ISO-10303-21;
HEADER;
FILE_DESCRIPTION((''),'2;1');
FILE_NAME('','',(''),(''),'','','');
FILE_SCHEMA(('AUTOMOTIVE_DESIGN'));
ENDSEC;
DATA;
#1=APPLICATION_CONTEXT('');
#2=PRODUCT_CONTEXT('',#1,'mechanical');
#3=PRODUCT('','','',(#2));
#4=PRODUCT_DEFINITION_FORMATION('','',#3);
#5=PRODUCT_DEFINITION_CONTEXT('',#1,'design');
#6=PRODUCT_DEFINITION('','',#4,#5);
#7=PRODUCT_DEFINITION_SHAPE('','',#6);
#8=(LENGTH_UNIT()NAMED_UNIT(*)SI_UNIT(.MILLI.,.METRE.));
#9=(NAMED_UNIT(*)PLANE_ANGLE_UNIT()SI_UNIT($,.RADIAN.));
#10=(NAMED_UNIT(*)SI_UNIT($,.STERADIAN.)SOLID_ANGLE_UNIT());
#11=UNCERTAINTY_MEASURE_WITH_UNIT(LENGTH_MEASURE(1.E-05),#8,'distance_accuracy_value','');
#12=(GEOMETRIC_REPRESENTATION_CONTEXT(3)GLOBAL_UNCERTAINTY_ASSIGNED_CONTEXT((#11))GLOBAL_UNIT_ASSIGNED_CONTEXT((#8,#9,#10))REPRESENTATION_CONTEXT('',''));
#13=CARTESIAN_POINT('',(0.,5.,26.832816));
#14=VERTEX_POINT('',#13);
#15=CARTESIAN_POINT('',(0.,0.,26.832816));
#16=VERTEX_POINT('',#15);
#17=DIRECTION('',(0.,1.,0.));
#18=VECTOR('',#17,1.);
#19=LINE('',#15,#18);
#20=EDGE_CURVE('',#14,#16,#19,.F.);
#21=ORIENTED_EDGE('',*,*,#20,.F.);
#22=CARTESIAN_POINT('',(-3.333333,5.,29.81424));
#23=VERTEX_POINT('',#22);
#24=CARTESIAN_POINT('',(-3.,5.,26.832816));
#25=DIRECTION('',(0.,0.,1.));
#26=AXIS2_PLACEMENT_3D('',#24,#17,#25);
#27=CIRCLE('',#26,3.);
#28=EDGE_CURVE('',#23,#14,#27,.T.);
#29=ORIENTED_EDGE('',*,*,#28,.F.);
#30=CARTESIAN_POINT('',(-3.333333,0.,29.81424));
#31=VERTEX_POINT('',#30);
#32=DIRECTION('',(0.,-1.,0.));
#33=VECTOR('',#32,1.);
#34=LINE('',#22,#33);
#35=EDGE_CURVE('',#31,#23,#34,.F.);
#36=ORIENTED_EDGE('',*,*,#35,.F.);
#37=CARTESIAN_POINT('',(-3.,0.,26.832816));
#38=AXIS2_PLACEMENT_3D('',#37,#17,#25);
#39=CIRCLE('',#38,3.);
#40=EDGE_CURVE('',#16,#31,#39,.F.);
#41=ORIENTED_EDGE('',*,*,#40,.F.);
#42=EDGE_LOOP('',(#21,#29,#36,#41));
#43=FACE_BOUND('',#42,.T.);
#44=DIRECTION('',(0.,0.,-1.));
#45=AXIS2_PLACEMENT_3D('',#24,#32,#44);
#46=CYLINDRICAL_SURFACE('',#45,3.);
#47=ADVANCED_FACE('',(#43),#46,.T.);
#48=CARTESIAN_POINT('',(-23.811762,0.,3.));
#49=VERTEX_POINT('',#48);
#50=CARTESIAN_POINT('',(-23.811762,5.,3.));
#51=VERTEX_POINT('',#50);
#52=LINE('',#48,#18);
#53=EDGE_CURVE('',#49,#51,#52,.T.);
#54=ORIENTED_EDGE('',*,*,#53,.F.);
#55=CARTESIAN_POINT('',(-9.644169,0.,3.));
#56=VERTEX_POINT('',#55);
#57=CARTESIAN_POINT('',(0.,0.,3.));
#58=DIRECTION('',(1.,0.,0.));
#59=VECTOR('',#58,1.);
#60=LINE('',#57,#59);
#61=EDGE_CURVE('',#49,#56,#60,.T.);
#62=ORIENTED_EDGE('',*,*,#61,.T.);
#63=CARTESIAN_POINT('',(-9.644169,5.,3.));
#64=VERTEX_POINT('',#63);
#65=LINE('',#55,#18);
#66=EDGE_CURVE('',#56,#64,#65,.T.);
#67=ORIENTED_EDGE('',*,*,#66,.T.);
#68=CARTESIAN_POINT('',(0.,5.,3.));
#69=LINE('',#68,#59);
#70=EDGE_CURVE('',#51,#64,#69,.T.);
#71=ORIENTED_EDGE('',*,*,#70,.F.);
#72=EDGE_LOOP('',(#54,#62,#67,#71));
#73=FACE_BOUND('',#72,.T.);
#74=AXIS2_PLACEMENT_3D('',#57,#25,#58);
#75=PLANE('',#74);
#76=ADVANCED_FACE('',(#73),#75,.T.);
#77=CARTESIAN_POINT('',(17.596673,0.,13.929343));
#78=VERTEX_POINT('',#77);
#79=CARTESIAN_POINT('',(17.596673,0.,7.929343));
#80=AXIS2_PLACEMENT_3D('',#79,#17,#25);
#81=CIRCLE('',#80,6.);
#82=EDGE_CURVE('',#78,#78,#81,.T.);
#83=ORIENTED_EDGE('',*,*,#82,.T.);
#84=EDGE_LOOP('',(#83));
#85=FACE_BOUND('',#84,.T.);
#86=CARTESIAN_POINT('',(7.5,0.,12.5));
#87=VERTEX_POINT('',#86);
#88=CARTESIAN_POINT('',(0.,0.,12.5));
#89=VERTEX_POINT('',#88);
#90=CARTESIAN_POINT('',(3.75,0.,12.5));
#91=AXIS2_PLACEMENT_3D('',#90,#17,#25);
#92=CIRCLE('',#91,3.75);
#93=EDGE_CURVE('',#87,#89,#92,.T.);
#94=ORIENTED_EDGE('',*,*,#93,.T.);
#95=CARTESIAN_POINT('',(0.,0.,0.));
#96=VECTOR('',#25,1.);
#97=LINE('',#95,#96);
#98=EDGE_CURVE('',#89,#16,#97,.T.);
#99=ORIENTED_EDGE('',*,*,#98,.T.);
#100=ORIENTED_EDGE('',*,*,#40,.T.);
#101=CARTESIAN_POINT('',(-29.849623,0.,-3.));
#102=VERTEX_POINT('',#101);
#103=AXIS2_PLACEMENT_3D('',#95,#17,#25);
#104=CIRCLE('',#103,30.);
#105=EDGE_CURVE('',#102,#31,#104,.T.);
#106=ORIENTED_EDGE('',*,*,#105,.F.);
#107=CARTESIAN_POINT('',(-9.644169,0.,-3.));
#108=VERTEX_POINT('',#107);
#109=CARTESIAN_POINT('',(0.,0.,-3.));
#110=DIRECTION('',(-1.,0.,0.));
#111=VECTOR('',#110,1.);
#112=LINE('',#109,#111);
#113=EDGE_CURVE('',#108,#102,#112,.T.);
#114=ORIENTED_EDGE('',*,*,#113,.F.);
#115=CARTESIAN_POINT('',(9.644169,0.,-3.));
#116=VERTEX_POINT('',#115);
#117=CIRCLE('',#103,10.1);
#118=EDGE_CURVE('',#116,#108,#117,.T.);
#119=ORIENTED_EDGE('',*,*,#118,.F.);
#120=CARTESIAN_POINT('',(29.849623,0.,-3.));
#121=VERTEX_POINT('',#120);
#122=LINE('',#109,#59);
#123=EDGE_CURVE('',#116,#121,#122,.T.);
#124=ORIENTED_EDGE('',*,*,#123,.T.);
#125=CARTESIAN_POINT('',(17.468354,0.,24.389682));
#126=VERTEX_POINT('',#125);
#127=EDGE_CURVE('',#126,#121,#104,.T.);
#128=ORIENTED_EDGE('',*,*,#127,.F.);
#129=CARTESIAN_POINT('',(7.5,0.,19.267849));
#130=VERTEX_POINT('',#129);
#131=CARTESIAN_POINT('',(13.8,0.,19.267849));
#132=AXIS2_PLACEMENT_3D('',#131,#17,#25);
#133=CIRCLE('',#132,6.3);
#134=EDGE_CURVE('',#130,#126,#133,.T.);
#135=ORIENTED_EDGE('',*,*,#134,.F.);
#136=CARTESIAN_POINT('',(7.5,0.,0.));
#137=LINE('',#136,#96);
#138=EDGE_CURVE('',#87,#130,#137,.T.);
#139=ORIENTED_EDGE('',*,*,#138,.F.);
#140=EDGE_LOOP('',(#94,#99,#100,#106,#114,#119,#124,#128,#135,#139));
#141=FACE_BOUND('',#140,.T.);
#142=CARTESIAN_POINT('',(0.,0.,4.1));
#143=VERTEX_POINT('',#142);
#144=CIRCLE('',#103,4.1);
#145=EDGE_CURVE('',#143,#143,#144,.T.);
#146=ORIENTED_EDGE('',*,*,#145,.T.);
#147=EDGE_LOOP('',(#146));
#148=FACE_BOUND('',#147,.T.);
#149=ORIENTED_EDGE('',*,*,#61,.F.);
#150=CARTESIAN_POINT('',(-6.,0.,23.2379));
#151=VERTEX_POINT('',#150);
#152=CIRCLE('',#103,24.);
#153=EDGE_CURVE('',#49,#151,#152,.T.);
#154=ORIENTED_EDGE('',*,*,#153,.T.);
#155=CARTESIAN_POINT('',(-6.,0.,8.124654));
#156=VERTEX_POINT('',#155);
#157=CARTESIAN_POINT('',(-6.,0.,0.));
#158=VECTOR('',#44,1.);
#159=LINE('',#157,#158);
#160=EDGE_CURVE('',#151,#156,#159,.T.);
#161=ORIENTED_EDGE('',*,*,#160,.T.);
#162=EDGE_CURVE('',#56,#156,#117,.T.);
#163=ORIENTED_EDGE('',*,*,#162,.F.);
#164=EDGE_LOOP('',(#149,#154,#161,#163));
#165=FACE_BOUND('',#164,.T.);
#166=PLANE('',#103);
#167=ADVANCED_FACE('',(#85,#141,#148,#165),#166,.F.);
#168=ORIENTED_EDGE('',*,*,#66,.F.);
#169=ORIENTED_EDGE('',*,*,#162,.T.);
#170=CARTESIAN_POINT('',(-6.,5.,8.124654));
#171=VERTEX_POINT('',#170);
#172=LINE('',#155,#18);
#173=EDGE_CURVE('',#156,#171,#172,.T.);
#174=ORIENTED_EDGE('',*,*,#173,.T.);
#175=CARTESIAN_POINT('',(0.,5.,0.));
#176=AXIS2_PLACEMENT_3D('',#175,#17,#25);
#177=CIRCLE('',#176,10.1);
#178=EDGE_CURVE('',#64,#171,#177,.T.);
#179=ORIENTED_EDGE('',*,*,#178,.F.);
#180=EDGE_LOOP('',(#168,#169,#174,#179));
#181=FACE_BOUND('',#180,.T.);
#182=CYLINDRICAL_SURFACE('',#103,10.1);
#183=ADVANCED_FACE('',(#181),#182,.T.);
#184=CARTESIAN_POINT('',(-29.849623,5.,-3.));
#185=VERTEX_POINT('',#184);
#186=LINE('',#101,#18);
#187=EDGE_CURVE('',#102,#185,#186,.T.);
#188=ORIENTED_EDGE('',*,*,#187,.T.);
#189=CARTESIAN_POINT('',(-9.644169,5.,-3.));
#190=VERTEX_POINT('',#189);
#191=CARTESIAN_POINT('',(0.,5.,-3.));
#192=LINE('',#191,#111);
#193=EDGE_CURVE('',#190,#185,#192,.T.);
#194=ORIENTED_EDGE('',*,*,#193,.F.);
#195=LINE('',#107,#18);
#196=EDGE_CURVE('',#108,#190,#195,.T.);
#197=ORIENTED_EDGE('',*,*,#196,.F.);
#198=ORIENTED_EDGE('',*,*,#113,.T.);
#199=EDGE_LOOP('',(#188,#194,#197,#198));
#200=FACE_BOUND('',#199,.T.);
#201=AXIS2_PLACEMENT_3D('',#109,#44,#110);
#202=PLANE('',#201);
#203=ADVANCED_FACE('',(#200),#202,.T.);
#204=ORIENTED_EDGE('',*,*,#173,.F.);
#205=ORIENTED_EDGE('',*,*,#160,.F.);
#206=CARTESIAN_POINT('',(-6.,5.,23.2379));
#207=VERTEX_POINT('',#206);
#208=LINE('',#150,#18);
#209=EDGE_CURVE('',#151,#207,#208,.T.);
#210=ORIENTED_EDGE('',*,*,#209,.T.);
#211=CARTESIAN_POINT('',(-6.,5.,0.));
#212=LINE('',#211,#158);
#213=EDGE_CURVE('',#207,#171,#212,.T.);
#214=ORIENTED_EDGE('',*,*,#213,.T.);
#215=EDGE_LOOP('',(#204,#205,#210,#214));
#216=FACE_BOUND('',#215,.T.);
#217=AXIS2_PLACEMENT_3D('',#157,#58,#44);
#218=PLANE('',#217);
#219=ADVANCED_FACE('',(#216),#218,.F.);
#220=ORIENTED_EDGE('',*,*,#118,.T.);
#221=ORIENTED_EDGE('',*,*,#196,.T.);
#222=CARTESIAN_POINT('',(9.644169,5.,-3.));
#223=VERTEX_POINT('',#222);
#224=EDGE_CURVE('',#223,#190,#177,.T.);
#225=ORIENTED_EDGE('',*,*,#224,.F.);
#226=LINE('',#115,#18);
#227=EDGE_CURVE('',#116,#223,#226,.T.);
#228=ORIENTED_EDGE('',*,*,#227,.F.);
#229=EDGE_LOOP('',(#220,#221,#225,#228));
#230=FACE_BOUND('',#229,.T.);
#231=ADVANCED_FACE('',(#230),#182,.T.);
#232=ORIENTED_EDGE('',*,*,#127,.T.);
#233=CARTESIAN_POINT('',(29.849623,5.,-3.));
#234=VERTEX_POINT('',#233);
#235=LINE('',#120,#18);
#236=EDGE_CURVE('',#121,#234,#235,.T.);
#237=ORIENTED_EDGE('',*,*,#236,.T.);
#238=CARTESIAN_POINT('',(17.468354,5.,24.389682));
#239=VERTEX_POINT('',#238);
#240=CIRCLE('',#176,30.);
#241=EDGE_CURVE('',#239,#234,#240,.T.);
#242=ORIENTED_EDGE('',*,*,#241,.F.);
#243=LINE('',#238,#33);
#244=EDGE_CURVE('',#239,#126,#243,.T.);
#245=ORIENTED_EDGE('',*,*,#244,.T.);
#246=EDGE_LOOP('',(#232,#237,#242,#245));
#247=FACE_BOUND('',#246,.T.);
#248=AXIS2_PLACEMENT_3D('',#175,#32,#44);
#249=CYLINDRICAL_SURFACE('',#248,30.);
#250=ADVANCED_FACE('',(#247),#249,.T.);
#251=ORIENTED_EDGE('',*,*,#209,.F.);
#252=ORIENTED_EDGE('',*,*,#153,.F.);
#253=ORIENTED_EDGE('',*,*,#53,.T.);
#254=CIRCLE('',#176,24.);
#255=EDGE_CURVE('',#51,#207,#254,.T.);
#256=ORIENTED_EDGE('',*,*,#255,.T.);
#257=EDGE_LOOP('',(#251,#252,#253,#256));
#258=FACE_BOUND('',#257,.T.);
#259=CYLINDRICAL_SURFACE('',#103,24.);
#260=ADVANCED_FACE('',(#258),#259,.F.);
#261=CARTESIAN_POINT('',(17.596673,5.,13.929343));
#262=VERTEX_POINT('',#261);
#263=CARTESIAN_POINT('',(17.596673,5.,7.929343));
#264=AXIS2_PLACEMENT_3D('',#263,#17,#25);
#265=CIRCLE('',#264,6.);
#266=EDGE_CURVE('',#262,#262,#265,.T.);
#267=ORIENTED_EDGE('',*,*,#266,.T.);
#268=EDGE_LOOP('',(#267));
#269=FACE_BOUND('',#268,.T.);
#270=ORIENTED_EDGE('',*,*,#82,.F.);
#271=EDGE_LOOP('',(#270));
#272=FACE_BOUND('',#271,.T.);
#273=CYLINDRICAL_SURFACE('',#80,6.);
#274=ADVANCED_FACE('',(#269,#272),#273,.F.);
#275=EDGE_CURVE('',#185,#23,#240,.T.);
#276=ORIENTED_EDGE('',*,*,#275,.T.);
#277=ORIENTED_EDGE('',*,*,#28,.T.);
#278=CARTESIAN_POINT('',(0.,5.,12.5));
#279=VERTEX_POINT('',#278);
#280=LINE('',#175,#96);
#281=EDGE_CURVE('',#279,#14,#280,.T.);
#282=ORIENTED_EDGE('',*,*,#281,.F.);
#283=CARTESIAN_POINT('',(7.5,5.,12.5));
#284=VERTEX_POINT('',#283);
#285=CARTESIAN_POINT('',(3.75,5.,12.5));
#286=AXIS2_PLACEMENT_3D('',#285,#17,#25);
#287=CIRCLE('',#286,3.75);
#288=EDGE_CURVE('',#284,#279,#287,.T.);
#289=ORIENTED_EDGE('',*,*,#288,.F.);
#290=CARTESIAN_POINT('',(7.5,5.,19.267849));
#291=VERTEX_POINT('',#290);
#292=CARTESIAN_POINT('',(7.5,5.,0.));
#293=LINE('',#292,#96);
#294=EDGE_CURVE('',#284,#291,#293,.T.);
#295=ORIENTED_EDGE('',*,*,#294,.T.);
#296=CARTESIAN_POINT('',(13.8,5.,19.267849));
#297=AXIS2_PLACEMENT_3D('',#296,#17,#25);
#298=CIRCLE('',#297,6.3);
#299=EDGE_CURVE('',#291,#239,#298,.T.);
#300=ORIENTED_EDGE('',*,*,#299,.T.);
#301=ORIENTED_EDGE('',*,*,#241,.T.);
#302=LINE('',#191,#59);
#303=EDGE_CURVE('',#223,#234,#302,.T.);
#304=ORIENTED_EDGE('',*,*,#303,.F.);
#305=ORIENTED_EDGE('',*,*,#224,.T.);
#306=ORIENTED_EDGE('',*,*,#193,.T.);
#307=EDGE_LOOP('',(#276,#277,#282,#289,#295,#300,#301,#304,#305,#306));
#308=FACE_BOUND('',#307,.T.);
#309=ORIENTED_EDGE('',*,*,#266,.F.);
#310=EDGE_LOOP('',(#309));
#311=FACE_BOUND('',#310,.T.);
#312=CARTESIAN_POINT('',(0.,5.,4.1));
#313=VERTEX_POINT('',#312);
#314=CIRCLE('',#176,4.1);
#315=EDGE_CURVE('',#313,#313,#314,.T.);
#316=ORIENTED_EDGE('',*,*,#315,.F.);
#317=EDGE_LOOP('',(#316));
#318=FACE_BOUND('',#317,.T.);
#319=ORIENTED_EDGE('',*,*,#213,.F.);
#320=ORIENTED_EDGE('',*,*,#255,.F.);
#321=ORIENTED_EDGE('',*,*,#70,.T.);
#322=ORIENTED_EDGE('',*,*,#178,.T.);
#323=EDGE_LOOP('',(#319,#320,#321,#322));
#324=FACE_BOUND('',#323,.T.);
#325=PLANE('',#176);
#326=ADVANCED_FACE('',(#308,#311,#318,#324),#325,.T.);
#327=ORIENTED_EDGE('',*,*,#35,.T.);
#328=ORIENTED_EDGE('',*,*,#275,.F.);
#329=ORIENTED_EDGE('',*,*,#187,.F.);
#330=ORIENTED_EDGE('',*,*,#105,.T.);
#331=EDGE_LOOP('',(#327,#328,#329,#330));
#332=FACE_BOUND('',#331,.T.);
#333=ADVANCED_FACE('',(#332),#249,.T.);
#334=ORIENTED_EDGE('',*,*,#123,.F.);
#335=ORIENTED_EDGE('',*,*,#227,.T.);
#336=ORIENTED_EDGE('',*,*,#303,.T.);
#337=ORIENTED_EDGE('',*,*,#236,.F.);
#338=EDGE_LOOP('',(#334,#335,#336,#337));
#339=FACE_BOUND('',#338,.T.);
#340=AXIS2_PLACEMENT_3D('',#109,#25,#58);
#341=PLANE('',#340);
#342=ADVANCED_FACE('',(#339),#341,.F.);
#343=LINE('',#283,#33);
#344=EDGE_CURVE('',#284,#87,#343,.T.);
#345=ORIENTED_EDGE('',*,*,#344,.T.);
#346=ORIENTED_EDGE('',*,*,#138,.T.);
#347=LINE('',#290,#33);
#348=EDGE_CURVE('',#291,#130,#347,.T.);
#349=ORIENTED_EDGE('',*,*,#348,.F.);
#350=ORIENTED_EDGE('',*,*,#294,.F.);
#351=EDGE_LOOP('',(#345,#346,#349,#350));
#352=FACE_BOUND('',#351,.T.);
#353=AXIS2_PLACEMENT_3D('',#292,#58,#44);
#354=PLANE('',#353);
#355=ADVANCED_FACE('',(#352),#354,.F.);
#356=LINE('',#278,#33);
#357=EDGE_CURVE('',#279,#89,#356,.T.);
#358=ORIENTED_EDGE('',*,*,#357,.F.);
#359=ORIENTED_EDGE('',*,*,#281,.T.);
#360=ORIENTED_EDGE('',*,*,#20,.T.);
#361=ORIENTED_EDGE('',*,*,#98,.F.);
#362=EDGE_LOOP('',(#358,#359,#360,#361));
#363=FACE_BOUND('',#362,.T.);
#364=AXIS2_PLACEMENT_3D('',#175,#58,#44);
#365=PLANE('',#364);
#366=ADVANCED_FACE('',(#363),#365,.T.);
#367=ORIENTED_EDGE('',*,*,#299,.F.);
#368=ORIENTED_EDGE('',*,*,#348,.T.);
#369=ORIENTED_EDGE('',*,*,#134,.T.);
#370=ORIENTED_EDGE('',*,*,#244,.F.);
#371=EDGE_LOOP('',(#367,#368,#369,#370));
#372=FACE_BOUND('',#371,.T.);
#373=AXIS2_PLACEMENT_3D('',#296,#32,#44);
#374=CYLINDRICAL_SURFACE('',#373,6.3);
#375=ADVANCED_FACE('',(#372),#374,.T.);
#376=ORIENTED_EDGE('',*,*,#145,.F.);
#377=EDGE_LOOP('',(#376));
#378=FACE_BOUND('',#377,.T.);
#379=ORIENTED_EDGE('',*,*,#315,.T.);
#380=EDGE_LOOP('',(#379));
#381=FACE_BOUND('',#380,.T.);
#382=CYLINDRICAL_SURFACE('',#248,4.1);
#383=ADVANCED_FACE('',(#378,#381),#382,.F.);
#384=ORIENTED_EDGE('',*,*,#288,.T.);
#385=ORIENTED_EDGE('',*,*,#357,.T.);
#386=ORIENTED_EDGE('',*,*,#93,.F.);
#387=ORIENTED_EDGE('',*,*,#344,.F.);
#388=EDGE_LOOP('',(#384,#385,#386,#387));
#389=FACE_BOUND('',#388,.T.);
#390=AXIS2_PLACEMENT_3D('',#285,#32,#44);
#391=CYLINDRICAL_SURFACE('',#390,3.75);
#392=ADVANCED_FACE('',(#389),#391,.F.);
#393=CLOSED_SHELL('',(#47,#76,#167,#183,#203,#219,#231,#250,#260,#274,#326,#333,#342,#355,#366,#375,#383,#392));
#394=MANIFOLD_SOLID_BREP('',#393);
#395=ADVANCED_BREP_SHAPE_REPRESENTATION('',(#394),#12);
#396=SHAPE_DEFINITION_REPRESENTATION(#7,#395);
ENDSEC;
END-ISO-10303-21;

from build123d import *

# Parameters (mm, degrees)
SKETCH1_R           = 4.1
SKETCH1_R_2         = 6.3
BOSS_EXTRUDE1_DEPTH = 5
FILLET1_R           = 3
CUT_EXTRUDE1_DEPTH  = 43.720018727
SKETCH3_R           = 6
CUT_EXTRUDE2_DEPTH  = 43.60278036


with BuildPart() as part:
    # Sketch1 → Boss-Extrude1 (new body)
    # profile 1 of 2: a face of its own
    with BuildSketch(Plane(origin=(0, 0, 0), x_dir=(1, 0, 0), z_dir=(0, 1, 0))):
        with BuildLine():
            Line((0, -30), (0, -12.5))
            ThreePointArc((0, -12.5), (3.75, -8.75), (7.5, -12.5))
            Line((7.5, -12.5), (7.5, -19.267848855))
            ThreePointArc((7.5, -19.267848855), (13.800000007, -12.967848868), (20.1, -19.267848868))
            ThreePointArc((20.1, -19.267848868), (19.403598453, -22.147030066), (17.468354167, -24.3896823))
            ThreePointArc((17.468354167, -24.3896823), (26.683802437, -13.710386117), (30, 0))
            ThreePointArc((30, 0), (-21.213203436, 21.213203436), (0, -30))
        make_face()
        with Locations(Location((0, 0, 0), (0, 0, 270))):
            Circle(SKETCH1_R, mode=Mode.SUBTRACT)
    # profile 2 of 2: a face of its own
    with BuildSketch(Plane(origin=(0, 0, 0), x_dir=(1, 0, 0), z_dir=(0, 1, 0))):
        with Locations((13.8, -19.267848868)):
            Circle(SKETCH1_R_2)
    extrude(amount=BOSS_EXTRUDE1_DEPTH)

    # Fillet1
    fillet1_edges = [part.edges().sort_by_distance(p)[0] for p in [
        (0, 2.5, 30),
    ]]
    fillet(fillet1_edges, radius=FILLET1_R)

    # Sketch2 → Cut-Extrude1 (cut, through all)
    with BuildSketch(Plane(origin=(0, 5, 0), x_dir=(1, 0, 0), z_dir=(0, 1, 0))):
        with BuildLine():
            Line((-24, 3), (-23.8117618, 3))
            ThreePointArc((-23.8117618, 3), (0, 24), (23.8117618, 3))
            Line((23.8117618, 3), (24, 3))
            Line((24, 3), (29.849623113, 3))
            ThreePointArc((29.849623113, 3), (0, 30), (-29.849623113, 3))
            Line((-29.849623113, 3), (-24, 3))
        make_face()
        with BuildLine():
            ThreePointArc((23.8117618, 3), (0, 24), (-23.8117618, 3))
            Line((-23.8117618, 3), (-9.644169223, 3))
            ThreePointArc((-9.644169223, 3), (0, 10.1), (9.644169223, 3))
            Line((9.644169223, 3), (23.8117618, 3))
        make_face()
        with BuildLine():
            ThreePointArc((-23.8117618, -3), (-18.016060482, -15.856278401), (-6, -23.237900077))
            Line((-6, -23.237900077), (-6, -8.124653839))
            ThreePointArc((-6, -8.124653839), (-8.231070824, -5.85315924), (-9.644169223, -3))
            Line((-9.644169223, -3), (-23.8117618, -3))
        make_face()
    extrude(amount=-CUT_EXTRUDE1_DEPTH, mode=Mode.SUBTRACT)

    # Sketch3 → Cut-Extrude2 (cut, through all)
    with BuildSketch(Plane(origin=(0, 5, 0), x_dir=(1, 0, 0), z_dir=(0, 1, 0))):
        with Locations(Location((17.596672685, -7.929343091, 0), (0, 0, 270))):
            Circle(SKETCH3_R)
    extrude(amount=-CUT_EXTRUDE2_DEPTH, mode=Mode.SUBTRACT)


solid = part.part
